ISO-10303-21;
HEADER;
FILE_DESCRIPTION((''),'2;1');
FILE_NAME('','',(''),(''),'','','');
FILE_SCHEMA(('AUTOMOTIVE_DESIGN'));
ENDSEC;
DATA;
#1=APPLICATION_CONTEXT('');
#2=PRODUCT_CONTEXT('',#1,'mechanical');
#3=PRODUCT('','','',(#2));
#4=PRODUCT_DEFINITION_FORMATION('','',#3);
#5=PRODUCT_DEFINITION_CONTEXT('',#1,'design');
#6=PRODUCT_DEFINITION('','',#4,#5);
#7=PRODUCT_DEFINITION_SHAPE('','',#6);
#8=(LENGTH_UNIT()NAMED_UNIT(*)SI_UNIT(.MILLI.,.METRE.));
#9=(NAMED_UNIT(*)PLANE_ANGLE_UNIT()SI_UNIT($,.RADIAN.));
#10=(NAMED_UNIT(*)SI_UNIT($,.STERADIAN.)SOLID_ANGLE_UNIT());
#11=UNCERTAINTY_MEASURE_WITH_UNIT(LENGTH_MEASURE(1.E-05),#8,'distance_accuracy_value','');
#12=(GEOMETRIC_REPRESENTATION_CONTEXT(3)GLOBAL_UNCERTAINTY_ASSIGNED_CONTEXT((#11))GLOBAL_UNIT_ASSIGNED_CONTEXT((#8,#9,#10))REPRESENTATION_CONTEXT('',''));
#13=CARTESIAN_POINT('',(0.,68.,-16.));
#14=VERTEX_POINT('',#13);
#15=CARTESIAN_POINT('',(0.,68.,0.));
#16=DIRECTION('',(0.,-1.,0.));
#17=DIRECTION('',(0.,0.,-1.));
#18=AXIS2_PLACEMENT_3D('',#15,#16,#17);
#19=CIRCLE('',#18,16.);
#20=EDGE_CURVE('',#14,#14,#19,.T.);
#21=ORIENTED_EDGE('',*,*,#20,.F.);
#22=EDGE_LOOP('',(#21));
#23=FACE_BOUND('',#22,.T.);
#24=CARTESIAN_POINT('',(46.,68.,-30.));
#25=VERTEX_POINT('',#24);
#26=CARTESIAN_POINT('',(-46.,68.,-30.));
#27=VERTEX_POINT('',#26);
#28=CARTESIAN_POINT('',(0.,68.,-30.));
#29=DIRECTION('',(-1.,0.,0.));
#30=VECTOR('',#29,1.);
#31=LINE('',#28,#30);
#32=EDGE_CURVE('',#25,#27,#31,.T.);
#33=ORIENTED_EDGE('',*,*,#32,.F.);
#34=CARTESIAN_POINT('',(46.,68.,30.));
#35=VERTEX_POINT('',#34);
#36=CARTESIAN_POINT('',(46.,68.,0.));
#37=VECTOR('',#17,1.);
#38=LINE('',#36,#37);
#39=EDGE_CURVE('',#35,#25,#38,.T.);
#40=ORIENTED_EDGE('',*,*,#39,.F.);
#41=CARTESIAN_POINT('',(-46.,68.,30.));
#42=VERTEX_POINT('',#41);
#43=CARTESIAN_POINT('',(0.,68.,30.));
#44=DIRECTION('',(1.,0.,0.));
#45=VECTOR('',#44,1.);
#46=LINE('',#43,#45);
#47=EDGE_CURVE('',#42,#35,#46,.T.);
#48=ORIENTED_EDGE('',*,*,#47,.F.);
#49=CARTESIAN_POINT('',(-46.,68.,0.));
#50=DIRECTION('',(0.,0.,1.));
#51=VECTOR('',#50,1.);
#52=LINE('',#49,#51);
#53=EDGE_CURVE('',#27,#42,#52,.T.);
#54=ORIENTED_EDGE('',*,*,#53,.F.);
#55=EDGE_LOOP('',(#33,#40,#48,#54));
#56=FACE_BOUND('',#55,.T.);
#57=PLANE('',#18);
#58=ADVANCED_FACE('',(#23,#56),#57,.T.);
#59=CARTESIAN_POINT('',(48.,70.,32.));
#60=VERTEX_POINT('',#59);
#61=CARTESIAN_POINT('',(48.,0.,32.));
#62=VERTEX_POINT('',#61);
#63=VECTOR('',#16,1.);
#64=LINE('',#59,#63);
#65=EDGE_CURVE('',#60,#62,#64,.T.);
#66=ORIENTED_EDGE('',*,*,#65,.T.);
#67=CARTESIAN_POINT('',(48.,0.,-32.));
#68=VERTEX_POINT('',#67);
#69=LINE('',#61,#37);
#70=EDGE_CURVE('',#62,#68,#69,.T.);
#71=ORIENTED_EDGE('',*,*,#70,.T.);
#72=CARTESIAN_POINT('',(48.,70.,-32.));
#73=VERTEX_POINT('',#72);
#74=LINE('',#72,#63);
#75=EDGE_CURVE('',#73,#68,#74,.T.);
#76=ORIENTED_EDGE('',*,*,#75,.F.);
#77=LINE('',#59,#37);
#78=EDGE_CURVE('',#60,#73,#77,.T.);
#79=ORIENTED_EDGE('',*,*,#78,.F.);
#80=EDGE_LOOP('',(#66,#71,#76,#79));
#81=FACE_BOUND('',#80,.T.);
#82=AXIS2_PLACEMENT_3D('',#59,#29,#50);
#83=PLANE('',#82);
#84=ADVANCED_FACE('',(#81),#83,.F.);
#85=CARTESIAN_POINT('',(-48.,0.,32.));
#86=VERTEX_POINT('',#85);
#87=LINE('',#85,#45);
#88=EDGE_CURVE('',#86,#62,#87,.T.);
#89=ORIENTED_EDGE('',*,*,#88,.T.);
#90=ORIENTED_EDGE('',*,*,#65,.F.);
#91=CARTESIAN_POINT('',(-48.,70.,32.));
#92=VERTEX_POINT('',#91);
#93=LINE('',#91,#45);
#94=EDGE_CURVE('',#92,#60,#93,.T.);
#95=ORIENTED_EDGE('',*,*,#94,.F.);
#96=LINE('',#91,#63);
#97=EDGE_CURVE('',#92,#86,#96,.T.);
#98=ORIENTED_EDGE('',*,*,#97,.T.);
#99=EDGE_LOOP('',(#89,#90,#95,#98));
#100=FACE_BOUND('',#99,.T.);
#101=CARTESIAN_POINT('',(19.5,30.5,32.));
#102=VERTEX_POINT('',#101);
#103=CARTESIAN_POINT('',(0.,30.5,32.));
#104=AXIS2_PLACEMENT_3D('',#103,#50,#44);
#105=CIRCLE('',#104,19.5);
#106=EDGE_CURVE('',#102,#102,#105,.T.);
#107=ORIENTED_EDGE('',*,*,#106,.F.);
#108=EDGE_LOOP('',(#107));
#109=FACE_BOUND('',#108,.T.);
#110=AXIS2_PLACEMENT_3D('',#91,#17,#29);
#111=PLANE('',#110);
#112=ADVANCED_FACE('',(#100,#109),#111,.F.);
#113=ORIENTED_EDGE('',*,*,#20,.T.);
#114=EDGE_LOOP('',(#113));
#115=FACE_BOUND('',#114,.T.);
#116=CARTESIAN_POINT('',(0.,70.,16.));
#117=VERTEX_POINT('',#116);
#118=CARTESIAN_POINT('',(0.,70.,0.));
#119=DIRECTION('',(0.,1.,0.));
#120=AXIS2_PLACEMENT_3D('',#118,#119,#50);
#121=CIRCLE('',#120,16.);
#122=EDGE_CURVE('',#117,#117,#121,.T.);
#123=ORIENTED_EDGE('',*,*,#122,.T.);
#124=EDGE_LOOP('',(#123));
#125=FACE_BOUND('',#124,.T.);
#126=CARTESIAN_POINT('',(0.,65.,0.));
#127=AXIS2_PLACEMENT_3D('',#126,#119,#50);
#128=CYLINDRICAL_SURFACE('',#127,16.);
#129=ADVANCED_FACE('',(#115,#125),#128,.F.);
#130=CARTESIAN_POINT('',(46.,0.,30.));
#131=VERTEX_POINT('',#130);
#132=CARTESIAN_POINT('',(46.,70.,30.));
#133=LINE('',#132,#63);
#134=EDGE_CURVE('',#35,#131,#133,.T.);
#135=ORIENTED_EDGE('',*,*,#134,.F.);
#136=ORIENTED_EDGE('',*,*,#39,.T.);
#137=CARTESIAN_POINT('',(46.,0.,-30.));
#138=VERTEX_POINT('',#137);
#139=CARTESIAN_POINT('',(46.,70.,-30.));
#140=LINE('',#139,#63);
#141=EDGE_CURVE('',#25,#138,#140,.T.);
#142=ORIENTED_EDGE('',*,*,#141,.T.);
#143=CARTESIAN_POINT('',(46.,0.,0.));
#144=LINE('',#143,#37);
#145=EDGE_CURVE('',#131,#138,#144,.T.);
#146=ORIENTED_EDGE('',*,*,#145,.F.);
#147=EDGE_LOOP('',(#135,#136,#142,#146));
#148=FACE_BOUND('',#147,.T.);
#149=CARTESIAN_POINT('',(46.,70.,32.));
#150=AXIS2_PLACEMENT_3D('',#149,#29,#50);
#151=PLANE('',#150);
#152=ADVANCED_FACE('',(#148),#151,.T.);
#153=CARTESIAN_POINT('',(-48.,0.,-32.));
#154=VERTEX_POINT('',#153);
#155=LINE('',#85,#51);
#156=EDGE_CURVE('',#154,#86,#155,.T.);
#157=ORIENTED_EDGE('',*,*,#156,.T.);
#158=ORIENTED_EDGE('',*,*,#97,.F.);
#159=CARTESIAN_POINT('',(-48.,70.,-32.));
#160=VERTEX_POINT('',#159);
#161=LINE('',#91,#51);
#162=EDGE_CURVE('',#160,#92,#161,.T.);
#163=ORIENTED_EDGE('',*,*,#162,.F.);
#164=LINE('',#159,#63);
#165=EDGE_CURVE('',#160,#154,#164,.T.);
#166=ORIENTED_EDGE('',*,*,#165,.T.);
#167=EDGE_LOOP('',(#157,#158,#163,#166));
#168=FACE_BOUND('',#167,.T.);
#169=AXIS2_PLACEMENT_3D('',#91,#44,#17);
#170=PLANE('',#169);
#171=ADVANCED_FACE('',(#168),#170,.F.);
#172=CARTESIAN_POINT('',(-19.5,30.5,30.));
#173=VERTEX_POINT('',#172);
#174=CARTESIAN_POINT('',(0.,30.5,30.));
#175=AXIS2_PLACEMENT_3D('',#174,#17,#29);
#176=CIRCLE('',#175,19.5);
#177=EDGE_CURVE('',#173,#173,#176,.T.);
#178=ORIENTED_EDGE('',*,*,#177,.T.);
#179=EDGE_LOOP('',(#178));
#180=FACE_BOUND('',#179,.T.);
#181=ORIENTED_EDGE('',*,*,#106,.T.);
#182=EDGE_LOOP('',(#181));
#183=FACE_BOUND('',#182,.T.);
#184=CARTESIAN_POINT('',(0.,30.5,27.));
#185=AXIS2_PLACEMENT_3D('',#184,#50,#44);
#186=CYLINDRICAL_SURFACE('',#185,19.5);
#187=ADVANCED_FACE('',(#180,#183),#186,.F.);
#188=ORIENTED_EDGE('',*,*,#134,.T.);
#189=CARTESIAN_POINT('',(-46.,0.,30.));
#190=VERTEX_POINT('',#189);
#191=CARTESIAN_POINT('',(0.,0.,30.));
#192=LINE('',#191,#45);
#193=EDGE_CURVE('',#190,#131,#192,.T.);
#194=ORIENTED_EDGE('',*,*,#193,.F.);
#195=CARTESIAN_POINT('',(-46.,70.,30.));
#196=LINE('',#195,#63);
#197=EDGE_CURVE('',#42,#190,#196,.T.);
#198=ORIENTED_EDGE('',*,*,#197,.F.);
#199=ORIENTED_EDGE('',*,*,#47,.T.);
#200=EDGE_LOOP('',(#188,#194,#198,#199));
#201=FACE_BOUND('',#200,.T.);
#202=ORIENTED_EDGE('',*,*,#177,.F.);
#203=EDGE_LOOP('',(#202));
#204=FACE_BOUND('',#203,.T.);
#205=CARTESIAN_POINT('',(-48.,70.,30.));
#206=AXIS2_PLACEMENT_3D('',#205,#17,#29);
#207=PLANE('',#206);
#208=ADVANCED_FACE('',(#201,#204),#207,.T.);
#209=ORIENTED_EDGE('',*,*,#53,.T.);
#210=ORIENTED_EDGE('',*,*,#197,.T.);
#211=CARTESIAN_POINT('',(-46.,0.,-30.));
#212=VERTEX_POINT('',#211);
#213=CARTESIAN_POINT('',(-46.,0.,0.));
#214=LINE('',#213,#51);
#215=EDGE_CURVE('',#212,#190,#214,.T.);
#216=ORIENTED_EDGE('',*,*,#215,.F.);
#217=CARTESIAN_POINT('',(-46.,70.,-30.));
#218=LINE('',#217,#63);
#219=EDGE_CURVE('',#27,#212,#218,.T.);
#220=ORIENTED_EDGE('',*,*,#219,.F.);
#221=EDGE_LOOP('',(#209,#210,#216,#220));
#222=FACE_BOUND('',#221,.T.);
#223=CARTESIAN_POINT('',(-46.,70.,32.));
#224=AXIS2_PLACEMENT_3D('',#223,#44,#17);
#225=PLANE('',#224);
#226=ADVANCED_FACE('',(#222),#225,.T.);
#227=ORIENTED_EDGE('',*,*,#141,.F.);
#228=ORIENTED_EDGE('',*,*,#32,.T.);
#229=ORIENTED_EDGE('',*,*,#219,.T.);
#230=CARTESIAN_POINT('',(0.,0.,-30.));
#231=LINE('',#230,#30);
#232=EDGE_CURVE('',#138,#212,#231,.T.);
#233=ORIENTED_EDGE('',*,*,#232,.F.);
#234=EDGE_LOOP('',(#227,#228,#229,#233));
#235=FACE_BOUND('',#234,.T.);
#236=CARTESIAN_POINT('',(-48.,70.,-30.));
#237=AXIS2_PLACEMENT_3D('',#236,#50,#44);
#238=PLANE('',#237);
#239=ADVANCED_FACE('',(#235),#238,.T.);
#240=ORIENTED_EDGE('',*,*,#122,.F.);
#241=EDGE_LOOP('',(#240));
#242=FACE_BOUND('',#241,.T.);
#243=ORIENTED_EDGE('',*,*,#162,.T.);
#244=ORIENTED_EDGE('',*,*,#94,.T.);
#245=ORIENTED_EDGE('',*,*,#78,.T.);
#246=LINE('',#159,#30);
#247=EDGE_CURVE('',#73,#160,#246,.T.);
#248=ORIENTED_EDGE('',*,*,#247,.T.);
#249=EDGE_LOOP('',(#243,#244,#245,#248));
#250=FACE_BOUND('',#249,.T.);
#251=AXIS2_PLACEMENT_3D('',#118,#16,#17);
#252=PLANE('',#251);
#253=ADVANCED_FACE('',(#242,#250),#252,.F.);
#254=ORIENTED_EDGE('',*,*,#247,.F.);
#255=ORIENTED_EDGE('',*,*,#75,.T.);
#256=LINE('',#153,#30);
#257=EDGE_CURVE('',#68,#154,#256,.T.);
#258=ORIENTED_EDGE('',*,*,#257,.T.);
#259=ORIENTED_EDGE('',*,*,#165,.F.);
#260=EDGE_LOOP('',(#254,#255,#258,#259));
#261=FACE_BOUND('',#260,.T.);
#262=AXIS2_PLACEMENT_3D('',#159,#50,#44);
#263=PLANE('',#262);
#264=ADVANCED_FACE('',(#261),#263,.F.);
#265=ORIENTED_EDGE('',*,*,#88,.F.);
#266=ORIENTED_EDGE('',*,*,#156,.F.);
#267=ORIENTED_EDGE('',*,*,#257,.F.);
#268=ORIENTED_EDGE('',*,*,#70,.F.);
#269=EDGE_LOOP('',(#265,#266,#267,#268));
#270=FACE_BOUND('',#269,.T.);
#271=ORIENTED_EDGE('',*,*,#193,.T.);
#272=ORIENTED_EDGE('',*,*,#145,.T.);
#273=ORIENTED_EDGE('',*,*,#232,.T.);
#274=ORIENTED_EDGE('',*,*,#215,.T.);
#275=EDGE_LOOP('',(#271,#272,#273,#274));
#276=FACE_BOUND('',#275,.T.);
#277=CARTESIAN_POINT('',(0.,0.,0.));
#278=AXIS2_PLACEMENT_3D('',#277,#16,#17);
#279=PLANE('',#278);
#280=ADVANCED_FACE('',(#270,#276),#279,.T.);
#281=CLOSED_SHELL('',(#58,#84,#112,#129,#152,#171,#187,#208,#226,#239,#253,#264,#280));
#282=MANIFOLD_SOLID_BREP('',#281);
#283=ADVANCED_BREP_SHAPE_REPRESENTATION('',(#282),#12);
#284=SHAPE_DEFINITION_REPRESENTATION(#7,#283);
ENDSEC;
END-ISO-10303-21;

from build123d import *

# Parameters (mm, degrees)
CROQUIS1_W              = 96
CROQUIS1_H              = 64
SALIENTE_EXTRUIR1_DEPTH = 70
VACIADO1_T              = -2
CROQUIS2_R              = 16
CORTAR_EXTRUIR1_DEPTH   = 5
CROQUIS3_R              = 19.5
CORTAR_EXTRUIR2_DEPTH   = 5


with BuildPart() as part:
    # Croquis1 → Saliente-Extruir1 (new body)
    with BuildSketch(Plane(origin=(0, 0, 0), x_dir=(1, 0, 0), z_dir=(0, 1, 0))):
        Rectangle(CROQUIS1_W, CROQUIS1_H)
    extrude(amount=SALIENTE_EXTRUIR1_DEPTH)

    # Vaciado1
    vaciado1_openings = [part.faces().sort_by_distance(p)[0] for p in [
        (0, 0, 0),
    ]]
    offset(amount=VACIADO1_T, openings=vaciado1_openings, kind=Kind.INTERSECTION)

    # Croquis2 → Cortar-Extruir1 (cut)
    with BuildSketch(Plane(origin=(0, 70, 0), x_dir=(1, 0, 0), z_dir=(0, 1, 0))):
        Circle(CROQUIS2_R)
    extrude(amount=-CORTAR_EXTRUIR1_DEPTH, mode=Mode.SUBTRACT)

    # Croquis3 → Cortar-Extruir2 (cut)
    with BuildSketch(Plane.XY.offset(32)):
        with Locations((0, 30.5)):
            Circle(CROQUIS3_R)
    extrude(amount=-CORTAR_EXTRUIR2_DEPTH, mode=Mode.SUBTRACT)


solid = part.part
